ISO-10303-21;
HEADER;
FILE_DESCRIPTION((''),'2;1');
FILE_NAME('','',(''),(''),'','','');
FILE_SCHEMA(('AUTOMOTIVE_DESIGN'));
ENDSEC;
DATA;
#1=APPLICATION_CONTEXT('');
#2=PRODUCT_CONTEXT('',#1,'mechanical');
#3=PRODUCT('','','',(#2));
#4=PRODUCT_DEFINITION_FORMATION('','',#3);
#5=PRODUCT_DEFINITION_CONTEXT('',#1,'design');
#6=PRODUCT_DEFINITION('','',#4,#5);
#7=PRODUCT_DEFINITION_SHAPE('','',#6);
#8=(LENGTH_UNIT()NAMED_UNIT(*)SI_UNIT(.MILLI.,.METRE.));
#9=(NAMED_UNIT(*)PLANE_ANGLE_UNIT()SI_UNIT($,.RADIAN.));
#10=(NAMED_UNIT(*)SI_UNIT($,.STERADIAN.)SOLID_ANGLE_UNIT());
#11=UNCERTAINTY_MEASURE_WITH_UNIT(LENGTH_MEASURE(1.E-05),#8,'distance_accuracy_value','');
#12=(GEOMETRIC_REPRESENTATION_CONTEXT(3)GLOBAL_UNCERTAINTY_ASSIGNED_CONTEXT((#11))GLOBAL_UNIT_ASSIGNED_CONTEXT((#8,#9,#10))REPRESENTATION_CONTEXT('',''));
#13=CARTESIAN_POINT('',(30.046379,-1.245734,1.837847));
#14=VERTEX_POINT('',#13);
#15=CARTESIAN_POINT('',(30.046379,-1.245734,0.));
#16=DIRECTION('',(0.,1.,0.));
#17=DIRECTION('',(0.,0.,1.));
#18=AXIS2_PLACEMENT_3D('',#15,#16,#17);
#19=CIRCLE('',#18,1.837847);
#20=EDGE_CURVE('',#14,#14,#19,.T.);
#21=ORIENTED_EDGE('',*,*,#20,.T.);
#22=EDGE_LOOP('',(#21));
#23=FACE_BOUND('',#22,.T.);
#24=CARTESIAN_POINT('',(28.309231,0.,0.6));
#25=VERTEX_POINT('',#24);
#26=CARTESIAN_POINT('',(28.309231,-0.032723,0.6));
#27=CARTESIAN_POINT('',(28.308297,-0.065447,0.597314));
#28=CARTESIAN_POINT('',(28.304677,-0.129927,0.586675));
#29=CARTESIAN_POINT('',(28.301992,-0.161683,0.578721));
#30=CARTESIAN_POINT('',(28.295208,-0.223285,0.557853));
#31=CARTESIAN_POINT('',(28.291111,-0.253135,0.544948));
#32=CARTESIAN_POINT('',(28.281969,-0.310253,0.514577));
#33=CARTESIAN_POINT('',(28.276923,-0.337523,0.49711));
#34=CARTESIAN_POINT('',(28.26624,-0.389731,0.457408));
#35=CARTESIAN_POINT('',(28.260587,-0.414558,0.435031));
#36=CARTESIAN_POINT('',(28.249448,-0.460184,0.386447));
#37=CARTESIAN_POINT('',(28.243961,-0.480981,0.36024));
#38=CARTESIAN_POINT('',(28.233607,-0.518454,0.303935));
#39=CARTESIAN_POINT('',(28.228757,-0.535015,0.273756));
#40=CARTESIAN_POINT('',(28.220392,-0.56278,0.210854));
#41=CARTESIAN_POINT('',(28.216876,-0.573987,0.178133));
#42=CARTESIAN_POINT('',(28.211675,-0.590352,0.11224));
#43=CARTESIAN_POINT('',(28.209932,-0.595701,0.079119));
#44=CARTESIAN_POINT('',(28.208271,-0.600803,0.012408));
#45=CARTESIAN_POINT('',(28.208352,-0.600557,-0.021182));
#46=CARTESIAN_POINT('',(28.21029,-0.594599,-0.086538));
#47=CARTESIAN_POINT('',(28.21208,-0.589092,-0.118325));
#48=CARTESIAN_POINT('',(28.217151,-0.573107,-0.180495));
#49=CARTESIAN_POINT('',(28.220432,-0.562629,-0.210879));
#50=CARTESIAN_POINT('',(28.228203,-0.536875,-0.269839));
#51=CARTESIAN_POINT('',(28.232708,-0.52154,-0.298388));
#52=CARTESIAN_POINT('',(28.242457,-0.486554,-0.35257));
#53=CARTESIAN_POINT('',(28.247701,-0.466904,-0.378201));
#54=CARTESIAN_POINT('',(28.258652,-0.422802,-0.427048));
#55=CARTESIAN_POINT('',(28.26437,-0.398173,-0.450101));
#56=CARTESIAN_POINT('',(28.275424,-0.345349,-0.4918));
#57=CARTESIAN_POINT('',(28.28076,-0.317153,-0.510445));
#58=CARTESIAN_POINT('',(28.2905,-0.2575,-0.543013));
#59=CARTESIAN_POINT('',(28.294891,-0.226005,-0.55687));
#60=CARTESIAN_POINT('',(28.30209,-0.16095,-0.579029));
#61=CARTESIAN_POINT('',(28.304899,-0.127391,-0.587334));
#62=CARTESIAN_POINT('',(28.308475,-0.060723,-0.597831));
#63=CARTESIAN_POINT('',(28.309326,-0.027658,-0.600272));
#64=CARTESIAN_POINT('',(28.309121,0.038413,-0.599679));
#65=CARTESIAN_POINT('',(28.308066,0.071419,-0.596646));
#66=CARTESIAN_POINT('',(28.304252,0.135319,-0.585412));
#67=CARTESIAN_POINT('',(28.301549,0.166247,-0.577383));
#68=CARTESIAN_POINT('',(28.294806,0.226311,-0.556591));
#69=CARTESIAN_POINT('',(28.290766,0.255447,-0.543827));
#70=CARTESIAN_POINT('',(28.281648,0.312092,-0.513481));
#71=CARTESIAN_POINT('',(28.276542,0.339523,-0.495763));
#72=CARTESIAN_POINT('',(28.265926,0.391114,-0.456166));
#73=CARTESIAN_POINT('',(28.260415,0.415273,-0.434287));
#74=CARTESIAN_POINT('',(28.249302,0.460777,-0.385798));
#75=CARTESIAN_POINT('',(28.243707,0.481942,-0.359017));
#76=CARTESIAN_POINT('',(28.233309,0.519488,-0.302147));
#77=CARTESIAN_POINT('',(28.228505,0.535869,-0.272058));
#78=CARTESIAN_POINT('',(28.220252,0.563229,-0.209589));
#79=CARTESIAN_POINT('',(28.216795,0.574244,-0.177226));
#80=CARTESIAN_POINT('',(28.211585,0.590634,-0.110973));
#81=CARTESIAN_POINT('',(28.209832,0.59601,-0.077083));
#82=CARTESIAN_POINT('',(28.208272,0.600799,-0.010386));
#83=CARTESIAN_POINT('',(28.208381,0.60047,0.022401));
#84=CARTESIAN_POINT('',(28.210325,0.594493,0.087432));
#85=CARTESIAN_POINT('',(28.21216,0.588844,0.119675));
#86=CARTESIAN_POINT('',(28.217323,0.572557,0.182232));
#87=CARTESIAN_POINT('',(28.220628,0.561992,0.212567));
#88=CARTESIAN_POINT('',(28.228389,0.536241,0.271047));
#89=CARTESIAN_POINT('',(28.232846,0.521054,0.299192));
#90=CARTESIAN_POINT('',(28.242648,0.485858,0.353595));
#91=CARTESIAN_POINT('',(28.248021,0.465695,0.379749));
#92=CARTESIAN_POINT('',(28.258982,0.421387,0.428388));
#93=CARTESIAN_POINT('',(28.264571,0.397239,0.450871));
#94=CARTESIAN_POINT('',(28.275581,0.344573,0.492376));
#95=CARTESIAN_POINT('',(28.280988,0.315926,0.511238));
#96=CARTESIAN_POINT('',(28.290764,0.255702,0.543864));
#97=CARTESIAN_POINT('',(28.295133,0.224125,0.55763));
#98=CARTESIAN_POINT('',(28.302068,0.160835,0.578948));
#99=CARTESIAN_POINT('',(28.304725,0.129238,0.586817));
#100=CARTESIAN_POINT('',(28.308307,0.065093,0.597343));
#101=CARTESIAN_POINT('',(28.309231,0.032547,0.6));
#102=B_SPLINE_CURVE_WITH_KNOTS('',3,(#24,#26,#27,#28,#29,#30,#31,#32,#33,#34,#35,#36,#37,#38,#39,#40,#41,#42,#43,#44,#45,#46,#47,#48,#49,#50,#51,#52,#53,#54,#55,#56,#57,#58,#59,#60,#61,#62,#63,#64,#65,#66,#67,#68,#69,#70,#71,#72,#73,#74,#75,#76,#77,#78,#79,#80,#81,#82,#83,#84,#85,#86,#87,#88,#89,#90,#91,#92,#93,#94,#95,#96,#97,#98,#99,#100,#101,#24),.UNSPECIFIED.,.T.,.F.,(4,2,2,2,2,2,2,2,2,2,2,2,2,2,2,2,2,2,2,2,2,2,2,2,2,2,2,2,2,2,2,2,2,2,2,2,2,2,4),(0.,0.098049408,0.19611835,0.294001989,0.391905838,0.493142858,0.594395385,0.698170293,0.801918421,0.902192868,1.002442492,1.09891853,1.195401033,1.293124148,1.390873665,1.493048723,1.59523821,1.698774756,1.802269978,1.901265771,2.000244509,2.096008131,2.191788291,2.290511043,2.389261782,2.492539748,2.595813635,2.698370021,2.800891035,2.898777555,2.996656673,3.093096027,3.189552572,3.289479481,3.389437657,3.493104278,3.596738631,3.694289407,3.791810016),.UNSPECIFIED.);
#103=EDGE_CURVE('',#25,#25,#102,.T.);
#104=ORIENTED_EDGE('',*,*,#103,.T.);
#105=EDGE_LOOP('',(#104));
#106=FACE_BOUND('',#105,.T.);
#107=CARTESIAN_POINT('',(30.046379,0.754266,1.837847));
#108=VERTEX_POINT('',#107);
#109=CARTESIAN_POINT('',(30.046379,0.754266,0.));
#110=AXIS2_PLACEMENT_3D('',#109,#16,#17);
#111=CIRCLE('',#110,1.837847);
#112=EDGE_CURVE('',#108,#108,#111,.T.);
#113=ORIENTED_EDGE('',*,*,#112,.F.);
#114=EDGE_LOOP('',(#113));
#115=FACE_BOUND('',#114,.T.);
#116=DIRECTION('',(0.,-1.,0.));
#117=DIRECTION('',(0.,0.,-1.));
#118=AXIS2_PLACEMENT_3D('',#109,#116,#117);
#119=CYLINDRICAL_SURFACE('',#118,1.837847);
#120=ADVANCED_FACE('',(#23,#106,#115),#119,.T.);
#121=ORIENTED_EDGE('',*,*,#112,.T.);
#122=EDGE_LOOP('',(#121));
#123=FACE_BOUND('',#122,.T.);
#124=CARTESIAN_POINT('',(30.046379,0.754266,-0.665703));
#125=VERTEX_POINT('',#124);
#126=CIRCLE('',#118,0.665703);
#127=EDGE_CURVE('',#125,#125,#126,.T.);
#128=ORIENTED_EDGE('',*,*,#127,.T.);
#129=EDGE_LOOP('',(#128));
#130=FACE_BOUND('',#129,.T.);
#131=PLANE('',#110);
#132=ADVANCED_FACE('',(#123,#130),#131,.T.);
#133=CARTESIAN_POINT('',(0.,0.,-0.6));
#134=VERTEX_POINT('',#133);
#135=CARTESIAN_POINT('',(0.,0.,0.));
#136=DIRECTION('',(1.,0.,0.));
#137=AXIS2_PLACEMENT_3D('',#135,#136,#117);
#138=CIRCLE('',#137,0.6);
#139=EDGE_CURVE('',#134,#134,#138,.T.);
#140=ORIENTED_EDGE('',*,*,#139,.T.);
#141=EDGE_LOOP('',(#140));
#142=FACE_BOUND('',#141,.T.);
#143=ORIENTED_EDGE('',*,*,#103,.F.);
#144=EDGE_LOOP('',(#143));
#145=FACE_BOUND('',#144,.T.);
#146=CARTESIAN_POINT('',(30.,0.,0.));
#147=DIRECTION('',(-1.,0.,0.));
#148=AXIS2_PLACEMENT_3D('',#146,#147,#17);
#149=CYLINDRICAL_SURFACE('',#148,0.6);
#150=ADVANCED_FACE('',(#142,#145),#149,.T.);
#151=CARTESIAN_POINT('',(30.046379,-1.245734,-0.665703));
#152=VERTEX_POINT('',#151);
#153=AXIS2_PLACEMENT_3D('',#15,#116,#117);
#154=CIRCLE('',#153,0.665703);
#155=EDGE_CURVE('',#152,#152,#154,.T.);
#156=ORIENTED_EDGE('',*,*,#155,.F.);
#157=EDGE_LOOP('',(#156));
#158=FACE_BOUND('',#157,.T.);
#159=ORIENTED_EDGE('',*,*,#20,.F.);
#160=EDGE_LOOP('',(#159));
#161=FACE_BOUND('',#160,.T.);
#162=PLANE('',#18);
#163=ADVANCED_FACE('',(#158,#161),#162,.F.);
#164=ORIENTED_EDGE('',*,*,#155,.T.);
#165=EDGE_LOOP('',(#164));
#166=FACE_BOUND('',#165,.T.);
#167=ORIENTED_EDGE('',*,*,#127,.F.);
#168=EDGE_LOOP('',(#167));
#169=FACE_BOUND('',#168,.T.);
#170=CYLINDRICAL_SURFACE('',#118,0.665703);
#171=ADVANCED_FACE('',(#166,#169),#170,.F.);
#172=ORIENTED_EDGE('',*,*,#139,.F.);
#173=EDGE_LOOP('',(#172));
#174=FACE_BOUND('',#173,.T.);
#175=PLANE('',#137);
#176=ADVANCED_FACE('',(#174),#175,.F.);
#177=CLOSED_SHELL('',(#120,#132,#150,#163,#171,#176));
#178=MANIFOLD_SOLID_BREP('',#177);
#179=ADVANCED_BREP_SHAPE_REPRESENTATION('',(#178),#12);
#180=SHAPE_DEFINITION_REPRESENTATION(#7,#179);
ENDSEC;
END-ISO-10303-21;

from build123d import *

# Parameters (mm, degrees)
SKETCH_1_R          = 0.6
EXTRUDE_1_DEPTH     = 30
SKETCH_2_R          = 1.837847415
EXTRUDE_2_DEPTH     = 1
SKETCH_3_R          = 0.665703361
CUT_EXTRUDE_1_DEPTH = 32.999712653


with BuildPart() as part:
    # 草图1 → 凸台-拉伸1 (new body)
    with BuildSketch(Plane(origin=(0, 0, 0), x_dir=(0, 0, -1), z_dir=(1, 0, 0))):
        Circle(SKETCH_1_R)
    extrude(amount=EXTRUDE_1_DEPTH)

    # 草图2 → 凸台-拉伸2 (add, symmetric)
    with BuildSketch(Plane(origin=(8.379426917, -0.245734266, -12), x_dir=(1, 0, 0), z_dir=(0, 1, 0))):
        with Locations(Location((21.666952485, -12, 0), (0, 0, 270))):
            Circle(SKETCH_2_R)
    extrude(amount=EXTRUDE_2_DEPTH, both=True)

    # 草图3 → 切除-拉伸1 (cut, through all)
    with BuildSketch(Plane(origin=(0, -1.245734266, 0), x_dir=(-1, 0, 0), z_dir=(0, -1, 0))):
        with Locations(Location((-30.046379401, 0, 0), (0, 0, 90))):
            Circle(SKETCH_3_R)
    extrude(amount=-CUT_EXTRUDE_1_DEPTH, mode=Mode.SUBTRACT)


solid = part.part
